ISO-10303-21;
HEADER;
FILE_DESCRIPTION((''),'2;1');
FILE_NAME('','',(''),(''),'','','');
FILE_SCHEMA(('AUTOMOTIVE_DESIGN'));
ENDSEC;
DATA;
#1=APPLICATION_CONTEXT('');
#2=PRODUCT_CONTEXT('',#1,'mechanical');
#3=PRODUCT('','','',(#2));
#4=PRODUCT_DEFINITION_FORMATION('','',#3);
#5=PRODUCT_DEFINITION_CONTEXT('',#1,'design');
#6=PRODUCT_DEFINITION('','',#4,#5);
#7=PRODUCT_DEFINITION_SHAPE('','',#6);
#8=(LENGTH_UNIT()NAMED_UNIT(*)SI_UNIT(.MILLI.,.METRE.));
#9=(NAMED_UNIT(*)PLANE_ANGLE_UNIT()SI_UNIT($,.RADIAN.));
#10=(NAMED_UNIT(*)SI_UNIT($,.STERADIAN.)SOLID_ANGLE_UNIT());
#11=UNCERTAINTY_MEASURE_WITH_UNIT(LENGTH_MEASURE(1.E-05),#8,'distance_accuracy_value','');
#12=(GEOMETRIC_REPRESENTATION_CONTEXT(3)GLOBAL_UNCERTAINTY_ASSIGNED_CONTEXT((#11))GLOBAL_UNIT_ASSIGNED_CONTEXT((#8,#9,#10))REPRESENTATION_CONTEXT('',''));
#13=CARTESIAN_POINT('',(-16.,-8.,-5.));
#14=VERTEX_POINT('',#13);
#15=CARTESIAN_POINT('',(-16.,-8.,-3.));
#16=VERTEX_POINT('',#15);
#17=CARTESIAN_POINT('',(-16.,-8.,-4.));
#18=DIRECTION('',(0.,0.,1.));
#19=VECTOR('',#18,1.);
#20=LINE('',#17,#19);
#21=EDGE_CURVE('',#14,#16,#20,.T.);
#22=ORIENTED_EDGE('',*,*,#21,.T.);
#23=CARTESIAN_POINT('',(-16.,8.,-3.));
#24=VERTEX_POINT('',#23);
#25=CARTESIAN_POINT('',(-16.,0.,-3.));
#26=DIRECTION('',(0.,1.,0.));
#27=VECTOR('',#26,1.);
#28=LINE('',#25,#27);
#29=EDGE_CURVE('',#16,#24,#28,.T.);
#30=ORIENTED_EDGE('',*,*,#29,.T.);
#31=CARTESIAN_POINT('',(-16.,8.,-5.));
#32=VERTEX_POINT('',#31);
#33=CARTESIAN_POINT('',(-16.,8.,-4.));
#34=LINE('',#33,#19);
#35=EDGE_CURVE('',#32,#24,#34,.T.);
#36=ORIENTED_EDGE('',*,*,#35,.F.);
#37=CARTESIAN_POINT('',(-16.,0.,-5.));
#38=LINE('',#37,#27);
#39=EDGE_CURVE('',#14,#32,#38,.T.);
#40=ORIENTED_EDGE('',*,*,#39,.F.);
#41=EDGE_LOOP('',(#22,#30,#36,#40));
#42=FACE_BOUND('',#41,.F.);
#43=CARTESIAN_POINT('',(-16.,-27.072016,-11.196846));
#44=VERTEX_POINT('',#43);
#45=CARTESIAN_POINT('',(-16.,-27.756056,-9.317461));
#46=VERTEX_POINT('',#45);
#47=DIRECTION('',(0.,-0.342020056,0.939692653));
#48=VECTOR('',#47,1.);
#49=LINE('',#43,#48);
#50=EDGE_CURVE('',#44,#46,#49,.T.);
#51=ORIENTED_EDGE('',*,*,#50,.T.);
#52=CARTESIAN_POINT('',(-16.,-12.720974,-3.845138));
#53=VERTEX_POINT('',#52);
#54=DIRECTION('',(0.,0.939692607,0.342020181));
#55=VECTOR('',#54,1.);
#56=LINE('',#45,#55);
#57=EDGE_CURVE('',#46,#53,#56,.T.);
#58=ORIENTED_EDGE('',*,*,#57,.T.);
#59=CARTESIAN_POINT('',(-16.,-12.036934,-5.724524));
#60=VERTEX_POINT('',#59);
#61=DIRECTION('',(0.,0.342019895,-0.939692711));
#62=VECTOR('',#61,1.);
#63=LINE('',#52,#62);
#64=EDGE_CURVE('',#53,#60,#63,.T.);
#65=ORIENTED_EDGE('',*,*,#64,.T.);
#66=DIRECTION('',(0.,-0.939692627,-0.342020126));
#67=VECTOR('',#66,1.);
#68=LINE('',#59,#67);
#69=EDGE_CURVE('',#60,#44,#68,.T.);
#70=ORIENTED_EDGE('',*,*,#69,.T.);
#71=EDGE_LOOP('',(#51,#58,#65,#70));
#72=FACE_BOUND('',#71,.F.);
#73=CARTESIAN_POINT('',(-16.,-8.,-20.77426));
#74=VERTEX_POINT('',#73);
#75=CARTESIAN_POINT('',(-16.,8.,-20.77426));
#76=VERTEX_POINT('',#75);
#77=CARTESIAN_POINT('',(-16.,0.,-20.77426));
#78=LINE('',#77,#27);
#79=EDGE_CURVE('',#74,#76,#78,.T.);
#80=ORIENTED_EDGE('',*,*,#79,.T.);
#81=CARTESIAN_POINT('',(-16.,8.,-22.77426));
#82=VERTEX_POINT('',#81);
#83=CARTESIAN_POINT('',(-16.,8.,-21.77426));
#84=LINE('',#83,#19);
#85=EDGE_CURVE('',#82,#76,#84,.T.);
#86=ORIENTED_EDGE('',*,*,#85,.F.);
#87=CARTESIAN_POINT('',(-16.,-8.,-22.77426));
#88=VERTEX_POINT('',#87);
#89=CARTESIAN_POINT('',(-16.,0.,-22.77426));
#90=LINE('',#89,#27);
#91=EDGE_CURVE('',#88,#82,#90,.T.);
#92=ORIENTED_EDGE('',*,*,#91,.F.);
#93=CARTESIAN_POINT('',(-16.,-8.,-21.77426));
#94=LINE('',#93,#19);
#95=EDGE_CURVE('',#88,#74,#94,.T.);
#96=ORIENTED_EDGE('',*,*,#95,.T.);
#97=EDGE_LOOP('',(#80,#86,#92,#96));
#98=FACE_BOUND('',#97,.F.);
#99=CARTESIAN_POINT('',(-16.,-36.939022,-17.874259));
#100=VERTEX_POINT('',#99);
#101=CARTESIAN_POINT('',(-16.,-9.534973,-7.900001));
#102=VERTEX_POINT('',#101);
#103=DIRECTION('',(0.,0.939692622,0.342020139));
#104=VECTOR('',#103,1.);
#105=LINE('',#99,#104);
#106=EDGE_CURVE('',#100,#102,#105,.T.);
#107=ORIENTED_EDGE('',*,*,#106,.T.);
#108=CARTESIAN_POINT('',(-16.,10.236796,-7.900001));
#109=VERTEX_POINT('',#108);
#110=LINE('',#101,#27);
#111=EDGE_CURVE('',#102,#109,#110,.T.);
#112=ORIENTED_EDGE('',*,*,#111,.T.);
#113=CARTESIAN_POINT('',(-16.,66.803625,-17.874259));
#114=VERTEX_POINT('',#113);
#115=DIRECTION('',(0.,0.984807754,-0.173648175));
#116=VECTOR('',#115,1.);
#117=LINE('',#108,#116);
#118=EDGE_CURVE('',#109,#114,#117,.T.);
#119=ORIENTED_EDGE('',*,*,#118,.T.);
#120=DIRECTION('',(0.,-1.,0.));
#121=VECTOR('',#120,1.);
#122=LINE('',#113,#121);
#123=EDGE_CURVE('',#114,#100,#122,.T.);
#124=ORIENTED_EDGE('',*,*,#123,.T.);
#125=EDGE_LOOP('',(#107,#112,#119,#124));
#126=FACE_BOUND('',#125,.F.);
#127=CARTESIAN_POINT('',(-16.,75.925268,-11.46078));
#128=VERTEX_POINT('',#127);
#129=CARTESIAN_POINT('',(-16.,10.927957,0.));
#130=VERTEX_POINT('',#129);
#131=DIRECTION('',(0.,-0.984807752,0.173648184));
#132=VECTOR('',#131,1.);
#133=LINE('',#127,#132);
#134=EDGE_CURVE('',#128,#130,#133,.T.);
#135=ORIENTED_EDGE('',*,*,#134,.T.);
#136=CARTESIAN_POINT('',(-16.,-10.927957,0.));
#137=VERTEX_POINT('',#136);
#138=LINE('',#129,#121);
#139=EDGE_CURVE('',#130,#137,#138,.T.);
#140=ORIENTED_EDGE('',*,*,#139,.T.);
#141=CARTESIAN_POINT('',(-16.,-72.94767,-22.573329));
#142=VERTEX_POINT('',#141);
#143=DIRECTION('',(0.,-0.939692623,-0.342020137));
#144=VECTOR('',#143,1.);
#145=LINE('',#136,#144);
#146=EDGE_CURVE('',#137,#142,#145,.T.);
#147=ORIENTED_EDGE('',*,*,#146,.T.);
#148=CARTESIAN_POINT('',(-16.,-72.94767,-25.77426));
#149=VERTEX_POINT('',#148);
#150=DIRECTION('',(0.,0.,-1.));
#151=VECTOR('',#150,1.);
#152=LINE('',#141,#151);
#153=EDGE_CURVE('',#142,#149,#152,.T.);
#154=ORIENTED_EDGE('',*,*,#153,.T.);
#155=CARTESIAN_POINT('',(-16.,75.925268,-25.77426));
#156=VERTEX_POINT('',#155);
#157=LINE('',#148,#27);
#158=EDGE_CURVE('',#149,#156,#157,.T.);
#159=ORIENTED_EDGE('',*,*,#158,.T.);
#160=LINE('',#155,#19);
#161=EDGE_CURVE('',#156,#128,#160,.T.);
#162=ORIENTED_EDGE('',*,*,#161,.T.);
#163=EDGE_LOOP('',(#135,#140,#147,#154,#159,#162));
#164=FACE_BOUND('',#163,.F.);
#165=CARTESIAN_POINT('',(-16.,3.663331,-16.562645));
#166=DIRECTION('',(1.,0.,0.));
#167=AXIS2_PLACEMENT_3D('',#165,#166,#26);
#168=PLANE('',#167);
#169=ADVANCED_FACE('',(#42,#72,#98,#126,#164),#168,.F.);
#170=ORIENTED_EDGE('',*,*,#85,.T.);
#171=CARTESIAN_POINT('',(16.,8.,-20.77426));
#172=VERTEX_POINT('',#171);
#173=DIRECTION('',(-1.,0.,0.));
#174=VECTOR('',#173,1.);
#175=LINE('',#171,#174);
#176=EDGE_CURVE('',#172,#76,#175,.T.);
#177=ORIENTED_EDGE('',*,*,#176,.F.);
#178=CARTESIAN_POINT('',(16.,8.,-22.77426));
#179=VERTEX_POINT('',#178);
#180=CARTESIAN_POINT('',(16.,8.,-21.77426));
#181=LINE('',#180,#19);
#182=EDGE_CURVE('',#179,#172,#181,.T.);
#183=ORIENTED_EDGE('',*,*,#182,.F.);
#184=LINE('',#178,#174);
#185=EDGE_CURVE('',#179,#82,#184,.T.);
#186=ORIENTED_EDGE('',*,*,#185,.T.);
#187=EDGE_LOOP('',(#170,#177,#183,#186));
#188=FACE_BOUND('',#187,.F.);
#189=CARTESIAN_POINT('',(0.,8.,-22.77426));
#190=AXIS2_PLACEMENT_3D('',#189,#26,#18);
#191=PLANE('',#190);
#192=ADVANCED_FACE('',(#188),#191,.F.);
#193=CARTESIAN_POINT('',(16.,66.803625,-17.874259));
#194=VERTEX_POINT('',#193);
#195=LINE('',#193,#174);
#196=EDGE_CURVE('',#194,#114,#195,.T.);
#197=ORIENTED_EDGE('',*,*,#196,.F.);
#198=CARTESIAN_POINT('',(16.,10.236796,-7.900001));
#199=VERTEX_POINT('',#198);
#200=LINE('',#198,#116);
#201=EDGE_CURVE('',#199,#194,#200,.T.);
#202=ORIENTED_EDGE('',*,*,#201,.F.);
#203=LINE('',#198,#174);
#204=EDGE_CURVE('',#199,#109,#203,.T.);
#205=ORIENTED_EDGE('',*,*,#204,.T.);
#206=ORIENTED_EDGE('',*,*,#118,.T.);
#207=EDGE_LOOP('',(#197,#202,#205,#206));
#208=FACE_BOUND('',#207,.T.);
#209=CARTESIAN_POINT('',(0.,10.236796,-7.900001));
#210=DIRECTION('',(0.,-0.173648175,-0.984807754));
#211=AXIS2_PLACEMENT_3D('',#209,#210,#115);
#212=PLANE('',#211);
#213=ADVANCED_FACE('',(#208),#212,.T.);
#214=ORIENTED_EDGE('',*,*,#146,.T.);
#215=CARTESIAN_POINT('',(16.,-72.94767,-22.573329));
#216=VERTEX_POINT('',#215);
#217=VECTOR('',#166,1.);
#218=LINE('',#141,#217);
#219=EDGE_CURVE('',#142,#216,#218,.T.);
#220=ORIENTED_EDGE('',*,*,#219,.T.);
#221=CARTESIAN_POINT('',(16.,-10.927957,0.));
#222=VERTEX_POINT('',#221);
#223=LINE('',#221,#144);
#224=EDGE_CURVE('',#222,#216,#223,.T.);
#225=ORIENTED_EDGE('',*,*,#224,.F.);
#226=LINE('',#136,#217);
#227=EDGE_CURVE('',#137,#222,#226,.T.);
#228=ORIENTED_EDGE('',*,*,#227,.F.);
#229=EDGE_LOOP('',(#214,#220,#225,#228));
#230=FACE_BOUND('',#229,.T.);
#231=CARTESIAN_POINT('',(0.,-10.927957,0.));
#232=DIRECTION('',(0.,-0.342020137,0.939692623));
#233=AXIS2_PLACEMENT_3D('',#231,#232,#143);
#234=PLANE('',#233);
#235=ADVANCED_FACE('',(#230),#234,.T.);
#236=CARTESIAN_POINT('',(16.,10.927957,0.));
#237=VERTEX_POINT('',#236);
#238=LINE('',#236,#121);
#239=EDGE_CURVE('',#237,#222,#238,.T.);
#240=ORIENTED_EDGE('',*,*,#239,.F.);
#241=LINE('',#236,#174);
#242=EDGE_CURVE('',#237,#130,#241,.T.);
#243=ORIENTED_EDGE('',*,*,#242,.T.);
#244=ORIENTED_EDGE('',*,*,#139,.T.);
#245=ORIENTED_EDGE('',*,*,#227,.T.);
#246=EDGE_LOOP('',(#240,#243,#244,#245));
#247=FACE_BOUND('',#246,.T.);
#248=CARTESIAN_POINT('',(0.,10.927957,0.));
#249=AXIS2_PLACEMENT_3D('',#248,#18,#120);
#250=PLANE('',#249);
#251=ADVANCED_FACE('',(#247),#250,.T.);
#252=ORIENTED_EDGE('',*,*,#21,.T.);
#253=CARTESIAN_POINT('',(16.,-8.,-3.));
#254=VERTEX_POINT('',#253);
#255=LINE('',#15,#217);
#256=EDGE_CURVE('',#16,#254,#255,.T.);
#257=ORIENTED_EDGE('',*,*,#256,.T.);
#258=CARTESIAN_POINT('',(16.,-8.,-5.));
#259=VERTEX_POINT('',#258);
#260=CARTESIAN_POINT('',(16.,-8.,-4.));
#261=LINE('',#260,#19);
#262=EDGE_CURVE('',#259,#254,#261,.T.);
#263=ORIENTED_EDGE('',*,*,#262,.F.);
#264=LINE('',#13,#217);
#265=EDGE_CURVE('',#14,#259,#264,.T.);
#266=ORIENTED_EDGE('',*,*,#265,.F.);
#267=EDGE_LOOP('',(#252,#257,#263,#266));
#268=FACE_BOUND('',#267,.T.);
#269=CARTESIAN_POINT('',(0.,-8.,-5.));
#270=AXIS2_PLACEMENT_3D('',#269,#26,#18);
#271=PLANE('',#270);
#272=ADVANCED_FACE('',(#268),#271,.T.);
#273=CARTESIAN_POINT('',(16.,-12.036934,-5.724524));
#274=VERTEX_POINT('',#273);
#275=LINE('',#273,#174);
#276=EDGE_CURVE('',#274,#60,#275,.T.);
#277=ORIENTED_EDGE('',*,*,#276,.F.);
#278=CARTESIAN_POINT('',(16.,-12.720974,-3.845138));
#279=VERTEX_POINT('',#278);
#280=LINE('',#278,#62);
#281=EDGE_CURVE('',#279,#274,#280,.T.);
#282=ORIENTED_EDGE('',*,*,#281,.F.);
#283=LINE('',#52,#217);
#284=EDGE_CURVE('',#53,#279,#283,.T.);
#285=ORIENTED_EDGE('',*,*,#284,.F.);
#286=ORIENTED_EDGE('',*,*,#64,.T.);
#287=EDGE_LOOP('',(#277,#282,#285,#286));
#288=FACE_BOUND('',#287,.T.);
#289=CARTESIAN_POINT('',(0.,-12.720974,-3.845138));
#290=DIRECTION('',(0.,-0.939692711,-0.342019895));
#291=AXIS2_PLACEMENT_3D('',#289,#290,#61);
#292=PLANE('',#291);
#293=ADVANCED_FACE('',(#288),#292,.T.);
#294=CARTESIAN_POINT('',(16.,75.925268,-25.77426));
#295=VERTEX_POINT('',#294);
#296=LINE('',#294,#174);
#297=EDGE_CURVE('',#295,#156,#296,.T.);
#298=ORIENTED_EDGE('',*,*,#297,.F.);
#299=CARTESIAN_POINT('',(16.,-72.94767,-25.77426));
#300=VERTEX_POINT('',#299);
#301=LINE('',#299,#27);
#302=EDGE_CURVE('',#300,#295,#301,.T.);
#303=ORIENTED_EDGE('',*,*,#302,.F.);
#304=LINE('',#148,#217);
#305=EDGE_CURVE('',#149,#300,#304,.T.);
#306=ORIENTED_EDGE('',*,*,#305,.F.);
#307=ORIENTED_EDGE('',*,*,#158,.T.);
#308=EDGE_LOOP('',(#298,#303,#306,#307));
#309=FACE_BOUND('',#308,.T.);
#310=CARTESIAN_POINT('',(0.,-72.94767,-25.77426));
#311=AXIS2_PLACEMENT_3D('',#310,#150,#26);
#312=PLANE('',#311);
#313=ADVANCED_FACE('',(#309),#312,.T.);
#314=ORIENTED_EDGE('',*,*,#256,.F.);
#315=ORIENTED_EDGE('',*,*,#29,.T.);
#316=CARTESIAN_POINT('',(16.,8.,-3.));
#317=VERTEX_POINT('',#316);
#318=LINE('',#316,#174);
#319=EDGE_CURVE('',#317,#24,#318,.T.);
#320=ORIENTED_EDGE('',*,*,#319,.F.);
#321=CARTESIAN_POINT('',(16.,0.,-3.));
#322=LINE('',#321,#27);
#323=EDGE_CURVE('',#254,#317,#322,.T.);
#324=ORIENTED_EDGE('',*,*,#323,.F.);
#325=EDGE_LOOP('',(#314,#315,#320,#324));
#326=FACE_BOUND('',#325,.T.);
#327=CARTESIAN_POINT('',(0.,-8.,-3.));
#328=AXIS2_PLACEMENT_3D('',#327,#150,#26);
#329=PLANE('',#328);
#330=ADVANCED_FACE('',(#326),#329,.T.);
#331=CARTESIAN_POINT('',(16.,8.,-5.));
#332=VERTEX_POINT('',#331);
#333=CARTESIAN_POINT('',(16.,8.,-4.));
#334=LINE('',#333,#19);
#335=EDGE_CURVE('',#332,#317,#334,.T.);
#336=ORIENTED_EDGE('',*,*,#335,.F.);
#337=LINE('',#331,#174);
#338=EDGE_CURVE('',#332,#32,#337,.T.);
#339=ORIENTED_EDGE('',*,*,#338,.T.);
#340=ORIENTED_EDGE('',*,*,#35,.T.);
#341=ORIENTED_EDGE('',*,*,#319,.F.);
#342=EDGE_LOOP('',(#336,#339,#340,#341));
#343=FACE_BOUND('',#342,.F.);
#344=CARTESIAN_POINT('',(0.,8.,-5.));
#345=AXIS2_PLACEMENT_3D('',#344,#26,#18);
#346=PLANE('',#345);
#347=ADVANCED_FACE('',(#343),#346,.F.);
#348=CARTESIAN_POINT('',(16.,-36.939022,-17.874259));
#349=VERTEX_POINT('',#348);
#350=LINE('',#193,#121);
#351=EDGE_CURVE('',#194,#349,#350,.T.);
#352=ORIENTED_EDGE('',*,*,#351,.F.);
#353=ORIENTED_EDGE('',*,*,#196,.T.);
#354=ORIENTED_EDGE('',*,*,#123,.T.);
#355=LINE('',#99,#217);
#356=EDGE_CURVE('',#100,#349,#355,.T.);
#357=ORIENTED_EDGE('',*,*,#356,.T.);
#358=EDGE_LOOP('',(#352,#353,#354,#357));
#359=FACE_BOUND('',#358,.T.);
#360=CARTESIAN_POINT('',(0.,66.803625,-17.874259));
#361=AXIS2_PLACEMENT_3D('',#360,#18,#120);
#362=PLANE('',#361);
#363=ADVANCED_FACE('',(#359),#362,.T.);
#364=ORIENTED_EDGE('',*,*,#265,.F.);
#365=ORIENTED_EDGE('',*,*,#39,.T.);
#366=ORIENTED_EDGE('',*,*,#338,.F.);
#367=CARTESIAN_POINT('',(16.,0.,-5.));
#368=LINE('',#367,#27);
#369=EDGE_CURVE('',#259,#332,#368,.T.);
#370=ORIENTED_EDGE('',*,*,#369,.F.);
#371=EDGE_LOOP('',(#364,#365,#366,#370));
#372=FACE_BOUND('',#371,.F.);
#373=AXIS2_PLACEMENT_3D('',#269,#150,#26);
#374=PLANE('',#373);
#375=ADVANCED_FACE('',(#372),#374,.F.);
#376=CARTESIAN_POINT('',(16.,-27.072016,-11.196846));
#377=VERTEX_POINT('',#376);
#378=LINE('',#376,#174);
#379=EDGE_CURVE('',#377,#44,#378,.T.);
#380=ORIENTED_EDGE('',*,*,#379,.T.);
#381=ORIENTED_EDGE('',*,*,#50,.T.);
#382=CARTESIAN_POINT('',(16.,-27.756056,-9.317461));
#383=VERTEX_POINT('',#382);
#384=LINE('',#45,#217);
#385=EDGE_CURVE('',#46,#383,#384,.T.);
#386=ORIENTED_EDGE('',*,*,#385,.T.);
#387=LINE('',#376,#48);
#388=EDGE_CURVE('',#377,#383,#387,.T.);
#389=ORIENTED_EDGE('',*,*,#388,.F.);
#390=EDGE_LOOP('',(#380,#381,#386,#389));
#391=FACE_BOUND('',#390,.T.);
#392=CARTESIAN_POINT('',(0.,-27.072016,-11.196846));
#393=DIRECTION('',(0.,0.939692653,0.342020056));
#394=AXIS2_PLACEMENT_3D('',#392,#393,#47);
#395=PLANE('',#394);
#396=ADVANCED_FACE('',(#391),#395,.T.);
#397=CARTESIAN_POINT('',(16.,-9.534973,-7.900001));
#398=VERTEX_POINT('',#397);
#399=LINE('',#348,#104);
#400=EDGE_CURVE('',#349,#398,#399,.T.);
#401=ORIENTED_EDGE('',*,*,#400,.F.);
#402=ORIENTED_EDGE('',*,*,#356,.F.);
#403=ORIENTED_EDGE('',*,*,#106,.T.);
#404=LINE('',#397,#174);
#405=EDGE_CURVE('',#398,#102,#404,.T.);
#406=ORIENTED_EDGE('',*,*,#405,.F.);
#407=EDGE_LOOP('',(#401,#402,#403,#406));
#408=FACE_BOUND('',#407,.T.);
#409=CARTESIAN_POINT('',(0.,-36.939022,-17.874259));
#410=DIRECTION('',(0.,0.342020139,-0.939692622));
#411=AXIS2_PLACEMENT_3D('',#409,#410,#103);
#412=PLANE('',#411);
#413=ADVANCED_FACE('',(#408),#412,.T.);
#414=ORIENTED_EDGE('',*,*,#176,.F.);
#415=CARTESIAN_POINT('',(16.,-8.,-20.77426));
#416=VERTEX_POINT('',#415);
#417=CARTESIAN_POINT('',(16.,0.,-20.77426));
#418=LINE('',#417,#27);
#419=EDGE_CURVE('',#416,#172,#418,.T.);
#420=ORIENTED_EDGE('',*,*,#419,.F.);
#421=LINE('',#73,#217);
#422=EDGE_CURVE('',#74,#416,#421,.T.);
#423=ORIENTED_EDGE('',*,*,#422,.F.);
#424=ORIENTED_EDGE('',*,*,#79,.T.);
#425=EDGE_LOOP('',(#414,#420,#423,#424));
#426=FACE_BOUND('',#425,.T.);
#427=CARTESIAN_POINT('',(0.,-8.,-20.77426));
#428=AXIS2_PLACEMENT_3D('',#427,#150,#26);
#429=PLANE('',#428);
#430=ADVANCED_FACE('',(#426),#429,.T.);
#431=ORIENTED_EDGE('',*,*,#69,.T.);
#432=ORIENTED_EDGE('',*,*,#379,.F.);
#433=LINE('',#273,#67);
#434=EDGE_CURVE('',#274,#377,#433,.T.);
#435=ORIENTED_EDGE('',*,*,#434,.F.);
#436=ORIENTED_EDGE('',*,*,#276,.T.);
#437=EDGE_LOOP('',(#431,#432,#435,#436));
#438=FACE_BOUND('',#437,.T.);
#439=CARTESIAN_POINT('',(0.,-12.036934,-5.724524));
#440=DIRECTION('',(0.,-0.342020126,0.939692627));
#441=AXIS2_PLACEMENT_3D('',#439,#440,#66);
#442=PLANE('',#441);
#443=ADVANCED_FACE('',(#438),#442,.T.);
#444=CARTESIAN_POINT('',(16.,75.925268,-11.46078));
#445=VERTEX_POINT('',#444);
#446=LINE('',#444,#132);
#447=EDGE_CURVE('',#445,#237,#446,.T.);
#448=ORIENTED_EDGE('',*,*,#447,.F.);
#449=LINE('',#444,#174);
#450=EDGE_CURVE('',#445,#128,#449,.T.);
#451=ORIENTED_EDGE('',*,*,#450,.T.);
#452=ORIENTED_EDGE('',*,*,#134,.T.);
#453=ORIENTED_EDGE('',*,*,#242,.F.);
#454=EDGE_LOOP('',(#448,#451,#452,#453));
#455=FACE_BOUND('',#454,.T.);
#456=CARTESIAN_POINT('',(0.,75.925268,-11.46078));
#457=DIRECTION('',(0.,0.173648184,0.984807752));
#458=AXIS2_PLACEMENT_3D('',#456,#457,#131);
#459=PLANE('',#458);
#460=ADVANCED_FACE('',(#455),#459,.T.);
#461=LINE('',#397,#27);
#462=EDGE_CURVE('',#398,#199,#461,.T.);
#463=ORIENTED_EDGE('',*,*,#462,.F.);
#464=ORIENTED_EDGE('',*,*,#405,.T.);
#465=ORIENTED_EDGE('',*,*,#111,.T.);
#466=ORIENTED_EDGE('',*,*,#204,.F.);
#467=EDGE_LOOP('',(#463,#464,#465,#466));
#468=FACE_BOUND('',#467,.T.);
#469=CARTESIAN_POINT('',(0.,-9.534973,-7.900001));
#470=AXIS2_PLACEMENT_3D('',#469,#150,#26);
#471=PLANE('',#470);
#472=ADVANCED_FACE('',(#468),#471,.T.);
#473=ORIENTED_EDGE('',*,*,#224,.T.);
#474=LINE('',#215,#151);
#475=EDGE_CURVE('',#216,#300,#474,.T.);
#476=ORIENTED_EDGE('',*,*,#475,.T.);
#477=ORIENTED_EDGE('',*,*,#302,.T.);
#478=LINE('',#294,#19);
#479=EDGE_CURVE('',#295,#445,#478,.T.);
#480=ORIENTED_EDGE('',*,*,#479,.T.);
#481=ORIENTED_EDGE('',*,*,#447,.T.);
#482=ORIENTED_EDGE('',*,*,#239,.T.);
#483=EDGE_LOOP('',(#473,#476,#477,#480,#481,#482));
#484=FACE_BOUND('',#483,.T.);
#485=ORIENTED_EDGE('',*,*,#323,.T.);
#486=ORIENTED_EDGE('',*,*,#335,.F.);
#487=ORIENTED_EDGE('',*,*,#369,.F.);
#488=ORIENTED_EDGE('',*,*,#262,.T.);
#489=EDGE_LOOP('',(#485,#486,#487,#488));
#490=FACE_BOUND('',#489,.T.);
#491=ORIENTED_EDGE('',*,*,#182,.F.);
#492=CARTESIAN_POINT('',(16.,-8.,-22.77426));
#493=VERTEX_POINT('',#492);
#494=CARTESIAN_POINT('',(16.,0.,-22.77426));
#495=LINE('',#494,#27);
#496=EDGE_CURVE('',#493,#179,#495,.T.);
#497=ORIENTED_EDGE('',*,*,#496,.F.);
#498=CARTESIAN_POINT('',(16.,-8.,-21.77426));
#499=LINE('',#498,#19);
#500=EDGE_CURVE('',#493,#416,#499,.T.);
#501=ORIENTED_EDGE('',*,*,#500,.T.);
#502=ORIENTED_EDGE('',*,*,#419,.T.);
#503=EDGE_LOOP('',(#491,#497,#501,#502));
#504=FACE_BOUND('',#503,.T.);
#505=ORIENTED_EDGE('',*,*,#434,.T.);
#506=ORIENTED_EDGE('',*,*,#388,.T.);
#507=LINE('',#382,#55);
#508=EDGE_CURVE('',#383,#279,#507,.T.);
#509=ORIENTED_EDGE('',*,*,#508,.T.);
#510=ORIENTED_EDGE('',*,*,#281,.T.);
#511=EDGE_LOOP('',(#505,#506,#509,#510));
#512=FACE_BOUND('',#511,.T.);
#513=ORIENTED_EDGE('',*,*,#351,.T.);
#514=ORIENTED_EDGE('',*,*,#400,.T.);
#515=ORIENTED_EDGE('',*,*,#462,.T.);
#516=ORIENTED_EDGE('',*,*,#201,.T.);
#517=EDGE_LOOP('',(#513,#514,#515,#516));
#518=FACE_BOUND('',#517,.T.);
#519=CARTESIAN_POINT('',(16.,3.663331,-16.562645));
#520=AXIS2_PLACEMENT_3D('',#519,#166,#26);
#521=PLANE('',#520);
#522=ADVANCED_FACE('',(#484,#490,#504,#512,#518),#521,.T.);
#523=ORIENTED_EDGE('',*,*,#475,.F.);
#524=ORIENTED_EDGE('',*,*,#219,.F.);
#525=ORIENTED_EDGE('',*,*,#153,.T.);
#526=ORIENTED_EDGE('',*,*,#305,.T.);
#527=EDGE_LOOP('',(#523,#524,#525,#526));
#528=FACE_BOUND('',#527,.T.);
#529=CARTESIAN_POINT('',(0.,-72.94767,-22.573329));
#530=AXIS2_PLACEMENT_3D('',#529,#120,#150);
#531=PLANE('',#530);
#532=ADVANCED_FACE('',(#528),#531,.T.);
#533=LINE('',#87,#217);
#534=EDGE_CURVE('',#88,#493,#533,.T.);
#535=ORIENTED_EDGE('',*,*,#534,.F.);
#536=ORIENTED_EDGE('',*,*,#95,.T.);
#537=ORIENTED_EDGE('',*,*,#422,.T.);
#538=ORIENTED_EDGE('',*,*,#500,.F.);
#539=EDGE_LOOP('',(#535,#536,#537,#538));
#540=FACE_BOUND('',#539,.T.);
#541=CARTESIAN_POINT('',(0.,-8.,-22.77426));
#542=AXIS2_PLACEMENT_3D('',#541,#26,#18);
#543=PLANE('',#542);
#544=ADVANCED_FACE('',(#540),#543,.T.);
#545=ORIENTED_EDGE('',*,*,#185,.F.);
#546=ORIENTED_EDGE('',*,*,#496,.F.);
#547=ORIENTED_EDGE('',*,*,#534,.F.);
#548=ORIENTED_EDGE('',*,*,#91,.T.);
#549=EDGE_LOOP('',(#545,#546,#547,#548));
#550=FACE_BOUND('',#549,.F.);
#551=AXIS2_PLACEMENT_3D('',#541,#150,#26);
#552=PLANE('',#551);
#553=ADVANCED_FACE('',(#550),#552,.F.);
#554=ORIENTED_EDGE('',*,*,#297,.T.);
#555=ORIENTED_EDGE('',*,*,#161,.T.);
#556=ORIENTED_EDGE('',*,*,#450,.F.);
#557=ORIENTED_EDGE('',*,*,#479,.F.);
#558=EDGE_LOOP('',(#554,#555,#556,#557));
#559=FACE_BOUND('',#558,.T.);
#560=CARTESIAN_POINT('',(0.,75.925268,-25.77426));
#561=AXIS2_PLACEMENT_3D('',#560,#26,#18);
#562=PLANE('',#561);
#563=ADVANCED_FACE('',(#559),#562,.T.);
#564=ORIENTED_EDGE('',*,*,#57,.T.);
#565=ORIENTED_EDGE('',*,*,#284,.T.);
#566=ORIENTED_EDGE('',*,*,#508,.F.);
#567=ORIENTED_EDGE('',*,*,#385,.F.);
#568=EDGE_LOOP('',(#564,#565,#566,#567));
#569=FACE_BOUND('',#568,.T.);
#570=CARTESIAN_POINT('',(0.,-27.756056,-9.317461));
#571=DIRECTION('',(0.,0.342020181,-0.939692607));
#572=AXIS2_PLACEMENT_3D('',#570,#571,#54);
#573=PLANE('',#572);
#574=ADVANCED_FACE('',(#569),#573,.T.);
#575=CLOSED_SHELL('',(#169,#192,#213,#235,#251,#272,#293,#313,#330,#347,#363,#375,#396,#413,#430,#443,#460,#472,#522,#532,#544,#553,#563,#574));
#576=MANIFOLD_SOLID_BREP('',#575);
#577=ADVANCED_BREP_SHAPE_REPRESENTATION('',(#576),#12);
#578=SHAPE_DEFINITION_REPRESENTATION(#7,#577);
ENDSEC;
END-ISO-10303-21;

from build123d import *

# Parameters (mm, degrees)
F0_W     = 16
F0_H     = 2
F1_DEPTH = 16


with BuildPart() as f1:
    # F0 (on Right) → F1 (new body, symmetric)
    with BuildSketch(Plane.YZ):
        Polygon((10.927957, 0), (-10.927957, 0), (-72.94767, -22.573329), (-72.94767, -25.77426), (75.925268, -25.77426), (75.925268, -11.46078), align=None)
        with Locations((0, -21.77426)):
            Rectangle(F0_W, F0_H, mode=Mode.SUBTRACT)
        Polygon((-27.756056, -9.317461), (-12.720974, -3.845138), (-12.378954, -4.784831), (-12.036934, -5.724524), (-27.072016, -11.196846), align=None, mode=Mode.SUBTRACT)
        with Locations((0, -4)):
            Rectangle(F0_W, F0_H, mode=Mode.SUBTRACT)
        Polygon((-36.939022, -17.874259), (-9.534973, -7.900001), (10.236796, -7.900001), (66.803625, -17.874259), align=None, mode=Mode.SUBTRACT)
    extrude(amount=F1_DEPTH, both=True)


solid = f1.part
